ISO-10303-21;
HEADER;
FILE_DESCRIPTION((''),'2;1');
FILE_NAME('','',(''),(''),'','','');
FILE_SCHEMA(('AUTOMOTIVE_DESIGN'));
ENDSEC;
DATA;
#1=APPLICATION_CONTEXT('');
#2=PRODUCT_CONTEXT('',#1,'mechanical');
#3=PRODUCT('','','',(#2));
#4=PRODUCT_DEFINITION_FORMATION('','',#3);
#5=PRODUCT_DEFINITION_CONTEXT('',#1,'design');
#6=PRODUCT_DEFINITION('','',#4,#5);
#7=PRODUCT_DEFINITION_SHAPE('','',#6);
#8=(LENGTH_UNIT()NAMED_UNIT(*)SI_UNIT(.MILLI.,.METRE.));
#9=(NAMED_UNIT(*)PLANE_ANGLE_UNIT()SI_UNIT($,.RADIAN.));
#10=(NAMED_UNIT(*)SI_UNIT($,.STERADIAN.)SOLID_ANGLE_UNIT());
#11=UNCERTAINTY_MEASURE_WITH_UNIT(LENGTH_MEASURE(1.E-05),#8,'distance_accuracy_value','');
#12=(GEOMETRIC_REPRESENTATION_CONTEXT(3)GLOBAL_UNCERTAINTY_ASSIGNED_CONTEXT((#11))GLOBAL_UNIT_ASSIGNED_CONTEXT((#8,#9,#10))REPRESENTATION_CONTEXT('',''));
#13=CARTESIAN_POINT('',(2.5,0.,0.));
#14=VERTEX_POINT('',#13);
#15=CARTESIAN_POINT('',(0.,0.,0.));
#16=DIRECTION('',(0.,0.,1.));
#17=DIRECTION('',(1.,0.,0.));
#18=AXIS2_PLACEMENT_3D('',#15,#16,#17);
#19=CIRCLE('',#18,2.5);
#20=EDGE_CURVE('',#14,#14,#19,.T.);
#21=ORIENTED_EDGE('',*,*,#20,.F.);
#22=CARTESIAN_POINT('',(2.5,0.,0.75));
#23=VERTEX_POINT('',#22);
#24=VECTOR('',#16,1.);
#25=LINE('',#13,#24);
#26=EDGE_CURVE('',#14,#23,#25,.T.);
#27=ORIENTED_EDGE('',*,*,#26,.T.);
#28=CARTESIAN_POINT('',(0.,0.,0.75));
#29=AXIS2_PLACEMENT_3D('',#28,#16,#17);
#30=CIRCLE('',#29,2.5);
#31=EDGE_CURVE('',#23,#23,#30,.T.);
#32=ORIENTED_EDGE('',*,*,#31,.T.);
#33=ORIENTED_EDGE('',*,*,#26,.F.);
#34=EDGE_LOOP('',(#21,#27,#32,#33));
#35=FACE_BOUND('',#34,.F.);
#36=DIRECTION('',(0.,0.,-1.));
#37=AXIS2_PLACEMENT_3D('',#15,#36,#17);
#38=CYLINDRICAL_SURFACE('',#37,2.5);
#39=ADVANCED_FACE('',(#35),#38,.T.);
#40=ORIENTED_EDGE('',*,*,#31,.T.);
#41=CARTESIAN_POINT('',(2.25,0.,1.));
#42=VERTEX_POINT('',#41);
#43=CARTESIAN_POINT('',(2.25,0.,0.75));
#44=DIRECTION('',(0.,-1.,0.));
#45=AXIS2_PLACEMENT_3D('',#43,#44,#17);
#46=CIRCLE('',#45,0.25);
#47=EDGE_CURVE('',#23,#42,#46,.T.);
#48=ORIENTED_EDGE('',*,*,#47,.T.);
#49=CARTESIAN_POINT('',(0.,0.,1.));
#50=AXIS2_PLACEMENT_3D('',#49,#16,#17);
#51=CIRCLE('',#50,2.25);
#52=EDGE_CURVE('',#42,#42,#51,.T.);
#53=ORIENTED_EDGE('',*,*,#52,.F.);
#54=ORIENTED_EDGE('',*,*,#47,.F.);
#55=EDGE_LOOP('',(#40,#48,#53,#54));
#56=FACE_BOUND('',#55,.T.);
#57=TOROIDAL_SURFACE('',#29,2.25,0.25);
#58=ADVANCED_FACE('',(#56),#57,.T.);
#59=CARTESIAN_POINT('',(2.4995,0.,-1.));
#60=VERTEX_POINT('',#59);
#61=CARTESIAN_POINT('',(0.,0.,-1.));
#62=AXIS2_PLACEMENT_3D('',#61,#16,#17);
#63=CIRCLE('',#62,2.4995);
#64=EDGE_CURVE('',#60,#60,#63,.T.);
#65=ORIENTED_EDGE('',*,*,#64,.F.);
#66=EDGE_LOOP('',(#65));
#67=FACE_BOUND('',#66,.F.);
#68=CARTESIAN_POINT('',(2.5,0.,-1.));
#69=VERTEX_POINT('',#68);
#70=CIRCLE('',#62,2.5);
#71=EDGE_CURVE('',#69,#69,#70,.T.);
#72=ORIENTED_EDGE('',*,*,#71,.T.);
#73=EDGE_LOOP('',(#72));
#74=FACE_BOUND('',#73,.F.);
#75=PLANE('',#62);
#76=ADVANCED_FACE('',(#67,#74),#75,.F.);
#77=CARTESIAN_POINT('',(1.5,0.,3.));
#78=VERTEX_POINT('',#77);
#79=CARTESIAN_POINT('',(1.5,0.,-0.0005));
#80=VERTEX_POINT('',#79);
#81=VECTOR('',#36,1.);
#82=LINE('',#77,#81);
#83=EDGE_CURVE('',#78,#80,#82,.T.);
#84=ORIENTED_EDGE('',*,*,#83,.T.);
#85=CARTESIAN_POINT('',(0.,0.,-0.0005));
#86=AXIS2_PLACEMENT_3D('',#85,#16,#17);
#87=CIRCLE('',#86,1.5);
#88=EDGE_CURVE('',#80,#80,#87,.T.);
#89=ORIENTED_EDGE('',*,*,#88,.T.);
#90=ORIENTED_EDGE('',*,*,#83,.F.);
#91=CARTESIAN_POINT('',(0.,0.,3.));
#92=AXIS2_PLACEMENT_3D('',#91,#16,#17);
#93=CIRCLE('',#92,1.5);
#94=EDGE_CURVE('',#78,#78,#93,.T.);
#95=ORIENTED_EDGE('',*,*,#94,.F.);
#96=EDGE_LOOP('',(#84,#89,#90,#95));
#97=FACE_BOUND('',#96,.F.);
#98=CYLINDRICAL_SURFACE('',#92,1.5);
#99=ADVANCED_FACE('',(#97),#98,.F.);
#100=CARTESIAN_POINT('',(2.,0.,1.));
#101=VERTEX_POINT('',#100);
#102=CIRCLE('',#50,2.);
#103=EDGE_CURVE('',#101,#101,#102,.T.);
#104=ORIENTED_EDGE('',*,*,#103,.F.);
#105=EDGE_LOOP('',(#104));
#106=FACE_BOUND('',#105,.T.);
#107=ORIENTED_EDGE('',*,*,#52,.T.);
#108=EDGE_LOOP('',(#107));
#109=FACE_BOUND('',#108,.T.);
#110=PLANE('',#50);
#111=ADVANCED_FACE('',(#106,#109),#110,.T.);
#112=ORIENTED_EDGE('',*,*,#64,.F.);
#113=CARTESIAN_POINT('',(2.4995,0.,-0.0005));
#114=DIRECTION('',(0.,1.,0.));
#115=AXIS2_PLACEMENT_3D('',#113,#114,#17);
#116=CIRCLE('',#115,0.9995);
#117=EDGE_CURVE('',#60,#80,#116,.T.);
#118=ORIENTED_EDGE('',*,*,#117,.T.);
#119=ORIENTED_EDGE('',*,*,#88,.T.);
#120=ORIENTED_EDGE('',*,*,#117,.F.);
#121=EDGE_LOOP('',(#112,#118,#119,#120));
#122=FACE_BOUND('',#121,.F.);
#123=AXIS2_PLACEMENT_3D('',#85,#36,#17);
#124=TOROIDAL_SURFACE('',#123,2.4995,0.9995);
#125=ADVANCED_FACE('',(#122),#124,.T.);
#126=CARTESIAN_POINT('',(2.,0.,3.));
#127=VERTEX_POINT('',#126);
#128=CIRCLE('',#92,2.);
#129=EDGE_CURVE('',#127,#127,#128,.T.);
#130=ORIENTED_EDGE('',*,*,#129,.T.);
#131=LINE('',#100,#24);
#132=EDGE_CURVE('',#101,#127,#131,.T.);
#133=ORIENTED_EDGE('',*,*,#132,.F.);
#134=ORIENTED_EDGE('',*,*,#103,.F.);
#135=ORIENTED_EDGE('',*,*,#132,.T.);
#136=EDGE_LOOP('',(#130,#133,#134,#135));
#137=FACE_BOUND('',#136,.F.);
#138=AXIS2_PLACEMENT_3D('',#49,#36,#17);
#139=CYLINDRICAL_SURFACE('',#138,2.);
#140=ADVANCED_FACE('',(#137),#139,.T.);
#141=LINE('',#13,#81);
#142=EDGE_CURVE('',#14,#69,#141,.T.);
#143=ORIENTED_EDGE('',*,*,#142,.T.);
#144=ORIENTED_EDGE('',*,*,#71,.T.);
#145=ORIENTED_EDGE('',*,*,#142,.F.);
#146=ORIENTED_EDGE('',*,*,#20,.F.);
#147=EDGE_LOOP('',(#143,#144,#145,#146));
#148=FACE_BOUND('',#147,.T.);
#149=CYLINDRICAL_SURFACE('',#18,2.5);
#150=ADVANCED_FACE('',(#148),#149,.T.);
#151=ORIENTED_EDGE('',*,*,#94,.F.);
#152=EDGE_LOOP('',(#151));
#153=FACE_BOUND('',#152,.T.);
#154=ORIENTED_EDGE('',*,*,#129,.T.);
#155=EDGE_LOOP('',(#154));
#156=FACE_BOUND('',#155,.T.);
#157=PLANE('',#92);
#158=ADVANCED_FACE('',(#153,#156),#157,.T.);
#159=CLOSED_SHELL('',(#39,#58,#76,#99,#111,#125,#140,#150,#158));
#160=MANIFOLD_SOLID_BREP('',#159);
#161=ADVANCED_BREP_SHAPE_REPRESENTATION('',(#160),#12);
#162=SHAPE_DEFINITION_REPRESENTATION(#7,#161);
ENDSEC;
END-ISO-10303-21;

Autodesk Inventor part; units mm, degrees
sketch "Skizze1" plane through (0, 0, 0) normal (0, 0, 1) x (1, 0, 0)
  circle A0 centre (0, 0) radius 2.5
  dimension "d0" = 5
extrude "Extrusion1" add sketch "Skizze1" along normal mid plane 2
sketch "Skizze2" plane through (0, 0, 1) normal (0, 0, 1) x (1, 0, 0)
  circle A0 centre (0, 0) radius 2
  dimension "d3" = 4
extrude "Extrusion2" add sketch "Skizze2" along normal blind 2
sketch "Skizze3" plane through (0, 0, 3) normal (0, 0, 1) x (1, 0, 0)
  circle A0 centre (0, 0) radius 1.5
  dimension "d6" = 3
extrude "Extrusion3" cut sketch "Skizze3" against normal blind 5
fillet "Rundung1" radius 1 1 edges at (-1.5, 0, -1)
thread "Gewinde1" size "M3x0.5" class "6H" standard "ANSI Metric M Profile" full length
thread "Gewinde2" size "M4x0.7" class "6g" standard "ANSI Metric M Profile" full length
fillet "Rundung2" radius 0.25 1 edges at (-2.5, 0, 1)
properties part number "SchleppstangeBefestigungUnten"
